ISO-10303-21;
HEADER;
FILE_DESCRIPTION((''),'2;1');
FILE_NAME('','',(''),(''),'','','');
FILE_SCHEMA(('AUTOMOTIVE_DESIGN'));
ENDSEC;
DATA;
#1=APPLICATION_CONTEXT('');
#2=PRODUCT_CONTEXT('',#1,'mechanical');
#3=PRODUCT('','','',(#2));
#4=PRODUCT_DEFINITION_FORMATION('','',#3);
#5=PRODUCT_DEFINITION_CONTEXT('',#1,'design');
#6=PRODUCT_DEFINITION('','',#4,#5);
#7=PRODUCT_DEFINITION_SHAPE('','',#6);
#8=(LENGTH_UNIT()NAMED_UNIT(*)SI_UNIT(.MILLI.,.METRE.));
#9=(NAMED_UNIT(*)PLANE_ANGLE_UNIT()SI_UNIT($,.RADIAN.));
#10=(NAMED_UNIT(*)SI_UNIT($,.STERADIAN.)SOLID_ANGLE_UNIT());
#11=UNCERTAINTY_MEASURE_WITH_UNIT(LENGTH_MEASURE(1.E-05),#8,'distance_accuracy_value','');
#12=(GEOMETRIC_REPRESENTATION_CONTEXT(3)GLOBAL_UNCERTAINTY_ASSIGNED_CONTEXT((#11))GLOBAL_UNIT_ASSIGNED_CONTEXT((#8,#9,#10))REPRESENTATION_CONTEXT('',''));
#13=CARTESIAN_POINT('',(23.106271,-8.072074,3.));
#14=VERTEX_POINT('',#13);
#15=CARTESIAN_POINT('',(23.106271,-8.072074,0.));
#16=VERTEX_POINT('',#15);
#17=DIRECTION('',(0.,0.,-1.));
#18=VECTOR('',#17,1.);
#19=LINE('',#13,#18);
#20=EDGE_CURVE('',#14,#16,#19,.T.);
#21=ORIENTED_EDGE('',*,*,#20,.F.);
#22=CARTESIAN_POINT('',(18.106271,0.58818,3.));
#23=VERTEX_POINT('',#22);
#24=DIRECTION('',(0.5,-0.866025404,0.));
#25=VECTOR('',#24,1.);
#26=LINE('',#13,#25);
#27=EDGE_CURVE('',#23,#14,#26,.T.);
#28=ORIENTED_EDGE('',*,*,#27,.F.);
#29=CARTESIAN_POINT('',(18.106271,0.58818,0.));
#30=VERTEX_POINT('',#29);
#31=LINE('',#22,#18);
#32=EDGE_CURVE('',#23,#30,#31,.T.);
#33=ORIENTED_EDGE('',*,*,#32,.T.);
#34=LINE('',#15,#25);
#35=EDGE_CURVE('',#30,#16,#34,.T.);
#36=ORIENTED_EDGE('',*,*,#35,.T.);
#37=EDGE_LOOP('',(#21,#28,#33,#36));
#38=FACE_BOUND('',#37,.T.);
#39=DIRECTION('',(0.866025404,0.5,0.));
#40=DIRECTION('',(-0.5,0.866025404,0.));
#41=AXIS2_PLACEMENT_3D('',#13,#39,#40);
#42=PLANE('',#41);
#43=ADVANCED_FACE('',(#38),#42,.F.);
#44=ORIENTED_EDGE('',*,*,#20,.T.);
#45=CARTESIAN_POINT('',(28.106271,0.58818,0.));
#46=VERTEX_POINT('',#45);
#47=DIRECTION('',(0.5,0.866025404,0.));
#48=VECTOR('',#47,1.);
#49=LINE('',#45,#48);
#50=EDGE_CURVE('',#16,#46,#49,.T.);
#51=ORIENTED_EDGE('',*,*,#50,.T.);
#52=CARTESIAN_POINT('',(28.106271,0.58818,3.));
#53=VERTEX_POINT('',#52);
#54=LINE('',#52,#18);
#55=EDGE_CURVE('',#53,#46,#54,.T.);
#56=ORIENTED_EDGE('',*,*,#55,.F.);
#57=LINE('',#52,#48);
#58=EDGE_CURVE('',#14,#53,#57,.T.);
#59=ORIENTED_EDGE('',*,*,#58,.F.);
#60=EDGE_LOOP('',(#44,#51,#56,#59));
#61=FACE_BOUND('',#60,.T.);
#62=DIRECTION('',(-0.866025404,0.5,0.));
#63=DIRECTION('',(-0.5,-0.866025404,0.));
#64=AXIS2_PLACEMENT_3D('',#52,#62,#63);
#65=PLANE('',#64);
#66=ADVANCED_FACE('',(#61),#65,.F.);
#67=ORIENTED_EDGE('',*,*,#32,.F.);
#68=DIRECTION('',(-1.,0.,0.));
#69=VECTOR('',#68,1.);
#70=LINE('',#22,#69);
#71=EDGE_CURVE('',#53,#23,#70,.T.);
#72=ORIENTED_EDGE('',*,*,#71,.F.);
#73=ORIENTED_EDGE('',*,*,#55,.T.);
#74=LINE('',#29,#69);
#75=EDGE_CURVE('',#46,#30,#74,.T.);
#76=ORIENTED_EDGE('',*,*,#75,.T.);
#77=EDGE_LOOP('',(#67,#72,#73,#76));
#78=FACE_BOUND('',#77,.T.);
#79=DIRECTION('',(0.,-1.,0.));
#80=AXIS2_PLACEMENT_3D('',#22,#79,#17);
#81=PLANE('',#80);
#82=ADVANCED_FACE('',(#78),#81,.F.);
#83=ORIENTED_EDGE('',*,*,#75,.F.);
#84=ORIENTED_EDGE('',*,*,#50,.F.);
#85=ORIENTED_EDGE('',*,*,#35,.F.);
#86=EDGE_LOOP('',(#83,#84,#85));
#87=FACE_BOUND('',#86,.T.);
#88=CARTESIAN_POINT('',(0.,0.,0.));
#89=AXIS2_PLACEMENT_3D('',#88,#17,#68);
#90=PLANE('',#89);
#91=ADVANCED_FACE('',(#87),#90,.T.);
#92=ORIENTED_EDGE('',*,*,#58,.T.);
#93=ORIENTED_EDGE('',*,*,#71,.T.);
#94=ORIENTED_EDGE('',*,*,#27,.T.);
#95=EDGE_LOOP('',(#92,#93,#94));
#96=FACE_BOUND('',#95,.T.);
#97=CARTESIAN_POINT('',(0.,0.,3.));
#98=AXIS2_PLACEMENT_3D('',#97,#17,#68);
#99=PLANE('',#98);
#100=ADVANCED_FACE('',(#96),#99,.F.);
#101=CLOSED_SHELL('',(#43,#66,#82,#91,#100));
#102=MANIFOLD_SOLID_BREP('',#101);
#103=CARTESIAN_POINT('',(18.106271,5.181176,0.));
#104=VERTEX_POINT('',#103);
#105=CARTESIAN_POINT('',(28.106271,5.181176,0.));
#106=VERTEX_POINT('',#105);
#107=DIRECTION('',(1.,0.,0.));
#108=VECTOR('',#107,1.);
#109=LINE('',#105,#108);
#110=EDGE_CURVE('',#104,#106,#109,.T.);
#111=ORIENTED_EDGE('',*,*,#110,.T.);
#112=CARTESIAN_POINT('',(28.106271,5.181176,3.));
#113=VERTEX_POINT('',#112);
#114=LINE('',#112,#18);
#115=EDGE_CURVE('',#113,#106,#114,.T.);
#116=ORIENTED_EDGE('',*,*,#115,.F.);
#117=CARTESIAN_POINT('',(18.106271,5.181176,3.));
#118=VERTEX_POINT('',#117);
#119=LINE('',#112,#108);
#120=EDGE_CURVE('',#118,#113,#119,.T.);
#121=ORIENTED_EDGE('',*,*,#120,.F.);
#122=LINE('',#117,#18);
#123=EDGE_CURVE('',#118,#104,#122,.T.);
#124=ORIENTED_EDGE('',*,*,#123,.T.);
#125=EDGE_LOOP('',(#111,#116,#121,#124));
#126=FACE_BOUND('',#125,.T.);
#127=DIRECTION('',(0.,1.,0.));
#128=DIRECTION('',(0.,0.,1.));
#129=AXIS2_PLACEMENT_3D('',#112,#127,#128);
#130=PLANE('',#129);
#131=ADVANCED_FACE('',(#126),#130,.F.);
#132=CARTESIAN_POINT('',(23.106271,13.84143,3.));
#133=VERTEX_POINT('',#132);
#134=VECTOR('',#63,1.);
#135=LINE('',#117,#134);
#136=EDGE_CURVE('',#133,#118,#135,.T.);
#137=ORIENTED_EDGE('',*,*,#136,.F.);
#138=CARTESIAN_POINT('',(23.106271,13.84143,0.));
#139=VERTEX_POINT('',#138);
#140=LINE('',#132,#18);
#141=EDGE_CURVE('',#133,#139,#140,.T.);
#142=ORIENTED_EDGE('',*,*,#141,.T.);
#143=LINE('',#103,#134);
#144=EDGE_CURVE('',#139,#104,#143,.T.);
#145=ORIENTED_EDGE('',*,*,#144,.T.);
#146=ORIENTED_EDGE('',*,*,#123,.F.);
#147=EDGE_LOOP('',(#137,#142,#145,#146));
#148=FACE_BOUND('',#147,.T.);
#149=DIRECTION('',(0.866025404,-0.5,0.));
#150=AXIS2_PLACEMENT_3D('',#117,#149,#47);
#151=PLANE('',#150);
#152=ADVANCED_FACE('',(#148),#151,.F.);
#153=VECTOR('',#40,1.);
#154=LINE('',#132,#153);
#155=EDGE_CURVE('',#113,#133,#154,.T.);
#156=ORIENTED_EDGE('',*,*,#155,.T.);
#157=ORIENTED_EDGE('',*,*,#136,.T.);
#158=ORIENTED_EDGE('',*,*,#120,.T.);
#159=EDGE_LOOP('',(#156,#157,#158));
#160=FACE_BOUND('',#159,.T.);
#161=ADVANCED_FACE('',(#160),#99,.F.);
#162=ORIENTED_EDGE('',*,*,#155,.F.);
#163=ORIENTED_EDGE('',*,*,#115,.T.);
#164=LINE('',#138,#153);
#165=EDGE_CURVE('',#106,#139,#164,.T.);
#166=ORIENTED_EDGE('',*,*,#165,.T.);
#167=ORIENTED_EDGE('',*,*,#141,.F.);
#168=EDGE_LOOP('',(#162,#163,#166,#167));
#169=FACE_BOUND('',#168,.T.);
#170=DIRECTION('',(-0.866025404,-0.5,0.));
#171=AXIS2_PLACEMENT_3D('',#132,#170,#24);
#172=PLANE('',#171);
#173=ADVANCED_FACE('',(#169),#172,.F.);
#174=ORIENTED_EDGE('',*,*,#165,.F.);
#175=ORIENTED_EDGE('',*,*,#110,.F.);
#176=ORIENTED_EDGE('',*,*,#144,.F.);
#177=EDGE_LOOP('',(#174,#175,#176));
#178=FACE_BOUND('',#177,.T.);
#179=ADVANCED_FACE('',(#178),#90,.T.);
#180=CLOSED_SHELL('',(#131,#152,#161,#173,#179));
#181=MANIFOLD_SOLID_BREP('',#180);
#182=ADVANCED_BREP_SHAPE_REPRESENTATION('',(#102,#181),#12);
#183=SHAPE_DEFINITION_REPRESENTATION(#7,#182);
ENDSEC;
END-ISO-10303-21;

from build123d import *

# Parameters (mm, degrees)
BOSS_EXTRUDE1_DEPTH   = 3
BOSS_EXTRUDE1_2_DEPTH = 3


with BuildPart() as part:
    # Sketch1 → Boss-Extrude1 (new body)
    with BuildSketch(Plane.XY):
        Polygon((18.106270862, 5.181175532), (23.106270862, 13.84142957), (28.106270862, 5.181175532), align=None)
    extrude(amount=BOSS_EXTRUDE1_DEPTH)


with BuildPart() as body_2:
    # Sketch1 → Boss-Extrude1 2 (new body)
    with BuildSketch(Plane.XY):
        Polygon((18.106270862, 0.588179711), (28.106270862, 0.588179711), (23.106270862, -8.072074327), align=None)
    extrude(amount=BOSS_EXTRUDE1_2_DEPTH)


solid = Compound([part.part, body_2.part])
